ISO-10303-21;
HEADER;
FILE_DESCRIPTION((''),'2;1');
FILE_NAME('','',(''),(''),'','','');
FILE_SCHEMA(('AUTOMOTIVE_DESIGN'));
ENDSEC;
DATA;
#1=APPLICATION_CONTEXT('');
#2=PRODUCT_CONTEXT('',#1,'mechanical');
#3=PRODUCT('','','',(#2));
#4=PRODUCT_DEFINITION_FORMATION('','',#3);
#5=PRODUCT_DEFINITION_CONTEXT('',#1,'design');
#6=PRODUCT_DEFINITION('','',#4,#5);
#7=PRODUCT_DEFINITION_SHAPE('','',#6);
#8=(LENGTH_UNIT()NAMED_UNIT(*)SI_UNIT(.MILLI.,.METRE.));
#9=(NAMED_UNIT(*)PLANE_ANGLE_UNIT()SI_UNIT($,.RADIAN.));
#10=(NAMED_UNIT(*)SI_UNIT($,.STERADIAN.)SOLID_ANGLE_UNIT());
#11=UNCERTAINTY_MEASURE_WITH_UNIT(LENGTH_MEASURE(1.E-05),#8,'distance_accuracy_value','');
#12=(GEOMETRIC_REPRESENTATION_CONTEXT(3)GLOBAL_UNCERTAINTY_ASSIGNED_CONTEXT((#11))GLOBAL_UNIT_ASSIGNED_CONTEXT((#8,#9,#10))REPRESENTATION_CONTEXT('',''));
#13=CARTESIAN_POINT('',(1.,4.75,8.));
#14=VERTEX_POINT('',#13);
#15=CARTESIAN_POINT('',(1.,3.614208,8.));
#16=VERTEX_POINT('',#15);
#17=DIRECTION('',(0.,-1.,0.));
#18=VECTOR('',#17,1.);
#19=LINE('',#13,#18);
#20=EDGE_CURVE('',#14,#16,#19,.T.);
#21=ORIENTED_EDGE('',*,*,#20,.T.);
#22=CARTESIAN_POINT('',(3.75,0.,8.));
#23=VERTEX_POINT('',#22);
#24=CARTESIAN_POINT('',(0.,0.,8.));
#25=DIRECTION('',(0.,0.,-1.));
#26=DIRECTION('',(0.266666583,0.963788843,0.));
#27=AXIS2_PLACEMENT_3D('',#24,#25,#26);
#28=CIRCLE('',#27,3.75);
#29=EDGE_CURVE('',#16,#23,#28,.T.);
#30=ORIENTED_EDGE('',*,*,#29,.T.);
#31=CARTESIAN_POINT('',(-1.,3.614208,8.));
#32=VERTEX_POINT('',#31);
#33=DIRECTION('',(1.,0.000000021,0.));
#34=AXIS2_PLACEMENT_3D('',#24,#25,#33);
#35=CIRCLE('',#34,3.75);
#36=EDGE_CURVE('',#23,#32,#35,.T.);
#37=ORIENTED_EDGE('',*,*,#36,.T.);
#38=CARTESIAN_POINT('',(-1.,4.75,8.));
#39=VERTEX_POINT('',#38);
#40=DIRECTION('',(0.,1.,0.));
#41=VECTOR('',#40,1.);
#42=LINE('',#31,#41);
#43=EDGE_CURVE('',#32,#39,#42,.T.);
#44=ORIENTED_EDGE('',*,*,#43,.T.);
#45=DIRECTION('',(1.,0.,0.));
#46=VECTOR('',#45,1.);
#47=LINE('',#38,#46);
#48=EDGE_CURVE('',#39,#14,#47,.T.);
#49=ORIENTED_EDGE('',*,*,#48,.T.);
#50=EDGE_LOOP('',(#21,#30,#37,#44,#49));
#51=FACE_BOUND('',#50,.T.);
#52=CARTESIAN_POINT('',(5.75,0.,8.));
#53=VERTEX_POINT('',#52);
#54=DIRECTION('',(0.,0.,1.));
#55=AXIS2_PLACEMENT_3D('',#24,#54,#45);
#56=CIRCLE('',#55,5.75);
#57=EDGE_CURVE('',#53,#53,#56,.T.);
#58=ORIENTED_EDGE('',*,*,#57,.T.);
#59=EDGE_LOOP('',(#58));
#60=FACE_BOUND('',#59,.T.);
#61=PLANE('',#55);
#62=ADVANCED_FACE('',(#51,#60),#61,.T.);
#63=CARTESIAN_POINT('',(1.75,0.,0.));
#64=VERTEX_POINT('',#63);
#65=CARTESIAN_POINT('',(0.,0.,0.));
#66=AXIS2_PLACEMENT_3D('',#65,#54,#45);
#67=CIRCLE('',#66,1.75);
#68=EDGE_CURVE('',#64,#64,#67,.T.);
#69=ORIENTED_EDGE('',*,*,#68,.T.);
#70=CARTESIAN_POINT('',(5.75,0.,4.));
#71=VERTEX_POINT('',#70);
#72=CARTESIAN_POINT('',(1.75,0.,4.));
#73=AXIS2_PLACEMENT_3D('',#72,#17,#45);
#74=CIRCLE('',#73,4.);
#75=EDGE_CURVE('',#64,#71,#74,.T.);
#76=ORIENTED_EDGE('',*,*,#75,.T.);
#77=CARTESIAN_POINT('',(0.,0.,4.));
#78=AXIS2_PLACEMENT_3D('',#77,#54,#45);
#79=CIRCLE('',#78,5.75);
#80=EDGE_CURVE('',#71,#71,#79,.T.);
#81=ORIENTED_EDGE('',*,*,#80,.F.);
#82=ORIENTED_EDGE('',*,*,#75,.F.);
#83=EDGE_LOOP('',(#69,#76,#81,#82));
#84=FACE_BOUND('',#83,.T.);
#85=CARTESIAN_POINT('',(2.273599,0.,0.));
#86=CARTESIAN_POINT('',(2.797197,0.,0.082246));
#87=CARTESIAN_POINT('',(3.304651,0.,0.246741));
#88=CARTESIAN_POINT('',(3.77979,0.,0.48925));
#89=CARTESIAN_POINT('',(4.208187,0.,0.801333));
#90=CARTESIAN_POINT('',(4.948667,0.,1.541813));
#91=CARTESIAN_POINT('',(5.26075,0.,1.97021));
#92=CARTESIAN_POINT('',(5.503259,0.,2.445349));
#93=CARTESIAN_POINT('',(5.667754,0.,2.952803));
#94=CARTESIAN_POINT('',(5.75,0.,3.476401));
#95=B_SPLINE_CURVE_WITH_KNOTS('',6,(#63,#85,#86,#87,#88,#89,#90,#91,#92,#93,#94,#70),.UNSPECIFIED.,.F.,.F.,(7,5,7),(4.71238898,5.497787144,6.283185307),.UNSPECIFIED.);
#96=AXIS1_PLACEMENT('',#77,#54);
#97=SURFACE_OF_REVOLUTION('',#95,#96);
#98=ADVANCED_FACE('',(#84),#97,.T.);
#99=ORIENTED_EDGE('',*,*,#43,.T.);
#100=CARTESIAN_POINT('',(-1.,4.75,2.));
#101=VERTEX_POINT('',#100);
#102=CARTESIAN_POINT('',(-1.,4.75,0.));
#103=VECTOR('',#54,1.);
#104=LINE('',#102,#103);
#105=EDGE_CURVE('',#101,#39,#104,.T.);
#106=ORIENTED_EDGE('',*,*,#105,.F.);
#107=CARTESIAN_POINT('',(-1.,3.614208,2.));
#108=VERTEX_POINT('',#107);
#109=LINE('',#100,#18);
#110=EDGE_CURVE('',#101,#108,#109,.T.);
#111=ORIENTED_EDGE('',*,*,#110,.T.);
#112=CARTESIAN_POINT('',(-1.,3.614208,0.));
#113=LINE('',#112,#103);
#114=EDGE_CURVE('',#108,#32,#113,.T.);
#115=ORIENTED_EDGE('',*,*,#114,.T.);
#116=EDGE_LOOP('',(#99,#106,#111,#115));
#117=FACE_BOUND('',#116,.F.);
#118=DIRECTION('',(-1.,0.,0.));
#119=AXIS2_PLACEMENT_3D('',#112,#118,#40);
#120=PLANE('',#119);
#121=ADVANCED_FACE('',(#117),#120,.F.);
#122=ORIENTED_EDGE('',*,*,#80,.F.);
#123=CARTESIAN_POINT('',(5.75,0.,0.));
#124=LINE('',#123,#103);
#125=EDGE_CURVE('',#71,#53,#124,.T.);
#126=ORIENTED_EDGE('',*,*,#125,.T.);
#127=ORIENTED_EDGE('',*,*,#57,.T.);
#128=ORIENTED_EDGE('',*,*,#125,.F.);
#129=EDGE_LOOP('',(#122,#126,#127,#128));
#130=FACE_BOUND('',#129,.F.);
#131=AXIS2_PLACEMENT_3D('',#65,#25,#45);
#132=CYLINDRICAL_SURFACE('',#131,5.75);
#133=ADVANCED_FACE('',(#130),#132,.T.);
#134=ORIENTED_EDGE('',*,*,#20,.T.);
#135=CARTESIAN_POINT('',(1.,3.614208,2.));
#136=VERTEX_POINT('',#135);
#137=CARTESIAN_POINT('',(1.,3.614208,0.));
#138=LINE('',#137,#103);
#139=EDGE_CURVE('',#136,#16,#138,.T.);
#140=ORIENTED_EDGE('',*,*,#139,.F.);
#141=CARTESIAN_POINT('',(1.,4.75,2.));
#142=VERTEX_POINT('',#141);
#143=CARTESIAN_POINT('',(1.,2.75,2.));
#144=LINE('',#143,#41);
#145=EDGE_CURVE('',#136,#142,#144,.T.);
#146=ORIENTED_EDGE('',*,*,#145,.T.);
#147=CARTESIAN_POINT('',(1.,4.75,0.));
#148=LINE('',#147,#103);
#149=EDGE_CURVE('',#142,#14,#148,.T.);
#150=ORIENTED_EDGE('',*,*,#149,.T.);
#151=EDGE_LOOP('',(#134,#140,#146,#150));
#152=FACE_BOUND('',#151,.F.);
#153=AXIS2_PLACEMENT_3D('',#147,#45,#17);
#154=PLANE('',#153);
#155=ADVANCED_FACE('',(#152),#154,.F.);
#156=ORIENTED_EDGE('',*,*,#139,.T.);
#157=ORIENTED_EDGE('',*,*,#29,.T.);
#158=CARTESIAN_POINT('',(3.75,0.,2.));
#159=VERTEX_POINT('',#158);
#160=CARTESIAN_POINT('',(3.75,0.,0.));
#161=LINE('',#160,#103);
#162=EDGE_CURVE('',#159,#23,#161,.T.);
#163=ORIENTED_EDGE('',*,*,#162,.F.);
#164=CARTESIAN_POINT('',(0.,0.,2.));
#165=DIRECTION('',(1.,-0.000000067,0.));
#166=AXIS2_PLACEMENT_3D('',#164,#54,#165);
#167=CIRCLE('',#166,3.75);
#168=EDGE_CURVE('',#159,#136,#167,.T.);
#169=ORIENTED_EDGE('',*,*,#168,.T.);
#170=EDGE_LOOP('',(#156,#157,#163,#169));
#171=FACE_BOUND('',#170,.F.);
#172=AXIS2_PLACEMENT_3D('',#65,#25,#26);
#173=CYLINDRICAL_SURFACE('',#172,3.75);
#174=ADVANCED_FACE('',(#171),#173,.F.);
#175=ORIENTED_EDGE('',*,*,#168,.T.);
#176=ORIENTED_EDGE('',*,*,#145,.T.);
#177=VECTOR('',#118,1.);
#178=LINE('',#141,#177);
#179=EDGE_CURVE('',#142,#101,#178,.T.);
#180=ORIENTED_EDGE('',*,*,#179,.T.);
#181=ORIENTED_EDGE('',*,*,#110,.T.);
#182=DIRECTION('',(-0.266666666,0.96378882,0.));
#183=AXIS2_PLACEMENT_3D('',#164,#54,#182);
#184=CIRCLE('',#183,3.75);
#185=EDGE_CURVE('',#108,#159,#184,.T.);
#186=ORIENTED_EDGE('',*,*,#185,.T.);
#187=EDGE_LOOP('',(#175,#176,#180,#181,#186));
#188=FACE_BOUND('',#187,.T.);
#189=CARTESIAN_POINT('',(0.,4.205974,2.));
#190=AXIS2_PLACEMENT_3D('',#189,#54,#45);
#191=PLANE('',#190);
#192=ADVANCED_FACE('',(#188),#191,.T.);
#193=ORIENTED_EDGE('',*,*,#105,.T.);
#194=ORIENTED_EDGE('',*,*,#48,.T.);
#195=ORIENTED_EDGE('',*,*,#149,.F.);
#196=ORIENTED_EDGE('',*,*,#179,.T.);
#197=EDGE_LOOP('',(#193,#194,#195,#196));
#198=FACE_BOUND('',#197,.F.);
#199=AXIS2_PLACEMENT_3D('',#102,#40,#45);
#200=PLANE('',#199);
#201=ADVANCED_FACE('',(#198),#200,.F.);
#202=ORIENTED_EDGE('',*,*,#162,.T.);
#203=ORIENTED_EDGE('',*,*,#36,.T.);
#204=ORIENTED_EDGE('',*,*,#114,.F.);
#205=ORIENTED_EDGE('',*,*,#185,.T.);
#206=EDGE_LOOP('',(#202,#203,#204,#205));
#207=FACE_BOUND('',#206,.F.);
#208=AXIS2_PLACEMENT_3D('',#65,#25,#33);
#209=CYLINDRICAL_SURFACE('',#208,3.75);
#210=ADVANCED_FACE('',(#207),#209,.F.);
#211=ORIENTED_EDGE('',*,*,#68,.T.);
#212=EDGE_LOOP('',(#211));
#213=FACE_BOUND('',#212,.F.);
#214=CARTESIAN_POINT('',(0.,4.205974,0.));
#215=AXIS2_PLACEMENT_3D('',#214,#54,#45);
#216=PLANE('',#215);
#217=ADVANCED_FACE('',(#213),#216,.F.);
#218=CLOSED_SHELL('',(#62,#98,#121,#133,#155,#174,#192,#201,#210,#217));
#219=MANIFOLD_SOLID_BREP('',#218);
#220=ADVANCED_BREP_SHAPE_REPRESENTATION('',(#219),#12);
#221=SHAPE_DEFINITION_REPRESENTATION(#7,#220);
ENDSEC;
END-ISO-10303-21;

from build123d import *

# Parameters (mm, degrees)
F0_R     = 5.75
F1_DEPTH = 8
F2_DEPTH = 2
F3_R     = 4


with BuildPart() as f1:
    # F0 (on Top) → F1 (new body)
    with BuildSketch(Plane.XY):
        Circle(F0_R)
        with BuildLine():
            ThreePointArc((1, 3.614208), (2.984334, 2.270738), (3.75, 0))
            ThreePointArc((3.75, 0), (-2.270738, -2.984334), (-1, 3.614208))
            Line((-1, 3.614208), (-1, 4.75))
            Line((-1, 4.75), (1, 4.75))
            Line((1, 4.75), (1, 3.614208))
        make_face(mode=Mode.SUBTRACT)
    extrude(amount=F1_DEPTH)

    # F0 (on Top) → F2 (join)
    with BuildSketch(Plane.XY):
        with BuildLine():
            ThreePointArc((-1, 3.614208), (0, 3.75), (1, 3.614208))
            Line((1, 3.614208), (1, 4.75))
            Line((1, 4.75), (-1, 4.75))
            Line((-1, 4.75), (-1, 3.614208))
        make_face()
        with BuildLine():
            Line((1, 2.75), (1, 3.614208))
            ThreePointArc((1, 3.614208), (0, 3.75), (-1, 3.614208))
            Line((-1, 3.614208), (-1, 2.75))
            Line((-1, 2.75), (1, 2.75))
        make_face()
        with BuildLine():
            ThreePointArc((-1, 3.614208), (-2.270738, -2.984334), (3.75, 0))
            ThreePointArc((3.75, 0), (2.984334, 2.270738), (1, 3.614208))
            Line((1, 3.614208), (1, 2.75))
            Line((1, 2.75), (-1, 2.75))
            Line((-1, 2.75), (-1, 3.614208))
        make_face()
    extrude(amount=F2_DEPTH)

    # F3
    f3_edges = [f1.edges().sort_by_distance(p)[0] for p in [
        (-5.75, 0, 0),
    ]]
    fillet(f3_edges, radius=F3_R)


solid = f1.part
